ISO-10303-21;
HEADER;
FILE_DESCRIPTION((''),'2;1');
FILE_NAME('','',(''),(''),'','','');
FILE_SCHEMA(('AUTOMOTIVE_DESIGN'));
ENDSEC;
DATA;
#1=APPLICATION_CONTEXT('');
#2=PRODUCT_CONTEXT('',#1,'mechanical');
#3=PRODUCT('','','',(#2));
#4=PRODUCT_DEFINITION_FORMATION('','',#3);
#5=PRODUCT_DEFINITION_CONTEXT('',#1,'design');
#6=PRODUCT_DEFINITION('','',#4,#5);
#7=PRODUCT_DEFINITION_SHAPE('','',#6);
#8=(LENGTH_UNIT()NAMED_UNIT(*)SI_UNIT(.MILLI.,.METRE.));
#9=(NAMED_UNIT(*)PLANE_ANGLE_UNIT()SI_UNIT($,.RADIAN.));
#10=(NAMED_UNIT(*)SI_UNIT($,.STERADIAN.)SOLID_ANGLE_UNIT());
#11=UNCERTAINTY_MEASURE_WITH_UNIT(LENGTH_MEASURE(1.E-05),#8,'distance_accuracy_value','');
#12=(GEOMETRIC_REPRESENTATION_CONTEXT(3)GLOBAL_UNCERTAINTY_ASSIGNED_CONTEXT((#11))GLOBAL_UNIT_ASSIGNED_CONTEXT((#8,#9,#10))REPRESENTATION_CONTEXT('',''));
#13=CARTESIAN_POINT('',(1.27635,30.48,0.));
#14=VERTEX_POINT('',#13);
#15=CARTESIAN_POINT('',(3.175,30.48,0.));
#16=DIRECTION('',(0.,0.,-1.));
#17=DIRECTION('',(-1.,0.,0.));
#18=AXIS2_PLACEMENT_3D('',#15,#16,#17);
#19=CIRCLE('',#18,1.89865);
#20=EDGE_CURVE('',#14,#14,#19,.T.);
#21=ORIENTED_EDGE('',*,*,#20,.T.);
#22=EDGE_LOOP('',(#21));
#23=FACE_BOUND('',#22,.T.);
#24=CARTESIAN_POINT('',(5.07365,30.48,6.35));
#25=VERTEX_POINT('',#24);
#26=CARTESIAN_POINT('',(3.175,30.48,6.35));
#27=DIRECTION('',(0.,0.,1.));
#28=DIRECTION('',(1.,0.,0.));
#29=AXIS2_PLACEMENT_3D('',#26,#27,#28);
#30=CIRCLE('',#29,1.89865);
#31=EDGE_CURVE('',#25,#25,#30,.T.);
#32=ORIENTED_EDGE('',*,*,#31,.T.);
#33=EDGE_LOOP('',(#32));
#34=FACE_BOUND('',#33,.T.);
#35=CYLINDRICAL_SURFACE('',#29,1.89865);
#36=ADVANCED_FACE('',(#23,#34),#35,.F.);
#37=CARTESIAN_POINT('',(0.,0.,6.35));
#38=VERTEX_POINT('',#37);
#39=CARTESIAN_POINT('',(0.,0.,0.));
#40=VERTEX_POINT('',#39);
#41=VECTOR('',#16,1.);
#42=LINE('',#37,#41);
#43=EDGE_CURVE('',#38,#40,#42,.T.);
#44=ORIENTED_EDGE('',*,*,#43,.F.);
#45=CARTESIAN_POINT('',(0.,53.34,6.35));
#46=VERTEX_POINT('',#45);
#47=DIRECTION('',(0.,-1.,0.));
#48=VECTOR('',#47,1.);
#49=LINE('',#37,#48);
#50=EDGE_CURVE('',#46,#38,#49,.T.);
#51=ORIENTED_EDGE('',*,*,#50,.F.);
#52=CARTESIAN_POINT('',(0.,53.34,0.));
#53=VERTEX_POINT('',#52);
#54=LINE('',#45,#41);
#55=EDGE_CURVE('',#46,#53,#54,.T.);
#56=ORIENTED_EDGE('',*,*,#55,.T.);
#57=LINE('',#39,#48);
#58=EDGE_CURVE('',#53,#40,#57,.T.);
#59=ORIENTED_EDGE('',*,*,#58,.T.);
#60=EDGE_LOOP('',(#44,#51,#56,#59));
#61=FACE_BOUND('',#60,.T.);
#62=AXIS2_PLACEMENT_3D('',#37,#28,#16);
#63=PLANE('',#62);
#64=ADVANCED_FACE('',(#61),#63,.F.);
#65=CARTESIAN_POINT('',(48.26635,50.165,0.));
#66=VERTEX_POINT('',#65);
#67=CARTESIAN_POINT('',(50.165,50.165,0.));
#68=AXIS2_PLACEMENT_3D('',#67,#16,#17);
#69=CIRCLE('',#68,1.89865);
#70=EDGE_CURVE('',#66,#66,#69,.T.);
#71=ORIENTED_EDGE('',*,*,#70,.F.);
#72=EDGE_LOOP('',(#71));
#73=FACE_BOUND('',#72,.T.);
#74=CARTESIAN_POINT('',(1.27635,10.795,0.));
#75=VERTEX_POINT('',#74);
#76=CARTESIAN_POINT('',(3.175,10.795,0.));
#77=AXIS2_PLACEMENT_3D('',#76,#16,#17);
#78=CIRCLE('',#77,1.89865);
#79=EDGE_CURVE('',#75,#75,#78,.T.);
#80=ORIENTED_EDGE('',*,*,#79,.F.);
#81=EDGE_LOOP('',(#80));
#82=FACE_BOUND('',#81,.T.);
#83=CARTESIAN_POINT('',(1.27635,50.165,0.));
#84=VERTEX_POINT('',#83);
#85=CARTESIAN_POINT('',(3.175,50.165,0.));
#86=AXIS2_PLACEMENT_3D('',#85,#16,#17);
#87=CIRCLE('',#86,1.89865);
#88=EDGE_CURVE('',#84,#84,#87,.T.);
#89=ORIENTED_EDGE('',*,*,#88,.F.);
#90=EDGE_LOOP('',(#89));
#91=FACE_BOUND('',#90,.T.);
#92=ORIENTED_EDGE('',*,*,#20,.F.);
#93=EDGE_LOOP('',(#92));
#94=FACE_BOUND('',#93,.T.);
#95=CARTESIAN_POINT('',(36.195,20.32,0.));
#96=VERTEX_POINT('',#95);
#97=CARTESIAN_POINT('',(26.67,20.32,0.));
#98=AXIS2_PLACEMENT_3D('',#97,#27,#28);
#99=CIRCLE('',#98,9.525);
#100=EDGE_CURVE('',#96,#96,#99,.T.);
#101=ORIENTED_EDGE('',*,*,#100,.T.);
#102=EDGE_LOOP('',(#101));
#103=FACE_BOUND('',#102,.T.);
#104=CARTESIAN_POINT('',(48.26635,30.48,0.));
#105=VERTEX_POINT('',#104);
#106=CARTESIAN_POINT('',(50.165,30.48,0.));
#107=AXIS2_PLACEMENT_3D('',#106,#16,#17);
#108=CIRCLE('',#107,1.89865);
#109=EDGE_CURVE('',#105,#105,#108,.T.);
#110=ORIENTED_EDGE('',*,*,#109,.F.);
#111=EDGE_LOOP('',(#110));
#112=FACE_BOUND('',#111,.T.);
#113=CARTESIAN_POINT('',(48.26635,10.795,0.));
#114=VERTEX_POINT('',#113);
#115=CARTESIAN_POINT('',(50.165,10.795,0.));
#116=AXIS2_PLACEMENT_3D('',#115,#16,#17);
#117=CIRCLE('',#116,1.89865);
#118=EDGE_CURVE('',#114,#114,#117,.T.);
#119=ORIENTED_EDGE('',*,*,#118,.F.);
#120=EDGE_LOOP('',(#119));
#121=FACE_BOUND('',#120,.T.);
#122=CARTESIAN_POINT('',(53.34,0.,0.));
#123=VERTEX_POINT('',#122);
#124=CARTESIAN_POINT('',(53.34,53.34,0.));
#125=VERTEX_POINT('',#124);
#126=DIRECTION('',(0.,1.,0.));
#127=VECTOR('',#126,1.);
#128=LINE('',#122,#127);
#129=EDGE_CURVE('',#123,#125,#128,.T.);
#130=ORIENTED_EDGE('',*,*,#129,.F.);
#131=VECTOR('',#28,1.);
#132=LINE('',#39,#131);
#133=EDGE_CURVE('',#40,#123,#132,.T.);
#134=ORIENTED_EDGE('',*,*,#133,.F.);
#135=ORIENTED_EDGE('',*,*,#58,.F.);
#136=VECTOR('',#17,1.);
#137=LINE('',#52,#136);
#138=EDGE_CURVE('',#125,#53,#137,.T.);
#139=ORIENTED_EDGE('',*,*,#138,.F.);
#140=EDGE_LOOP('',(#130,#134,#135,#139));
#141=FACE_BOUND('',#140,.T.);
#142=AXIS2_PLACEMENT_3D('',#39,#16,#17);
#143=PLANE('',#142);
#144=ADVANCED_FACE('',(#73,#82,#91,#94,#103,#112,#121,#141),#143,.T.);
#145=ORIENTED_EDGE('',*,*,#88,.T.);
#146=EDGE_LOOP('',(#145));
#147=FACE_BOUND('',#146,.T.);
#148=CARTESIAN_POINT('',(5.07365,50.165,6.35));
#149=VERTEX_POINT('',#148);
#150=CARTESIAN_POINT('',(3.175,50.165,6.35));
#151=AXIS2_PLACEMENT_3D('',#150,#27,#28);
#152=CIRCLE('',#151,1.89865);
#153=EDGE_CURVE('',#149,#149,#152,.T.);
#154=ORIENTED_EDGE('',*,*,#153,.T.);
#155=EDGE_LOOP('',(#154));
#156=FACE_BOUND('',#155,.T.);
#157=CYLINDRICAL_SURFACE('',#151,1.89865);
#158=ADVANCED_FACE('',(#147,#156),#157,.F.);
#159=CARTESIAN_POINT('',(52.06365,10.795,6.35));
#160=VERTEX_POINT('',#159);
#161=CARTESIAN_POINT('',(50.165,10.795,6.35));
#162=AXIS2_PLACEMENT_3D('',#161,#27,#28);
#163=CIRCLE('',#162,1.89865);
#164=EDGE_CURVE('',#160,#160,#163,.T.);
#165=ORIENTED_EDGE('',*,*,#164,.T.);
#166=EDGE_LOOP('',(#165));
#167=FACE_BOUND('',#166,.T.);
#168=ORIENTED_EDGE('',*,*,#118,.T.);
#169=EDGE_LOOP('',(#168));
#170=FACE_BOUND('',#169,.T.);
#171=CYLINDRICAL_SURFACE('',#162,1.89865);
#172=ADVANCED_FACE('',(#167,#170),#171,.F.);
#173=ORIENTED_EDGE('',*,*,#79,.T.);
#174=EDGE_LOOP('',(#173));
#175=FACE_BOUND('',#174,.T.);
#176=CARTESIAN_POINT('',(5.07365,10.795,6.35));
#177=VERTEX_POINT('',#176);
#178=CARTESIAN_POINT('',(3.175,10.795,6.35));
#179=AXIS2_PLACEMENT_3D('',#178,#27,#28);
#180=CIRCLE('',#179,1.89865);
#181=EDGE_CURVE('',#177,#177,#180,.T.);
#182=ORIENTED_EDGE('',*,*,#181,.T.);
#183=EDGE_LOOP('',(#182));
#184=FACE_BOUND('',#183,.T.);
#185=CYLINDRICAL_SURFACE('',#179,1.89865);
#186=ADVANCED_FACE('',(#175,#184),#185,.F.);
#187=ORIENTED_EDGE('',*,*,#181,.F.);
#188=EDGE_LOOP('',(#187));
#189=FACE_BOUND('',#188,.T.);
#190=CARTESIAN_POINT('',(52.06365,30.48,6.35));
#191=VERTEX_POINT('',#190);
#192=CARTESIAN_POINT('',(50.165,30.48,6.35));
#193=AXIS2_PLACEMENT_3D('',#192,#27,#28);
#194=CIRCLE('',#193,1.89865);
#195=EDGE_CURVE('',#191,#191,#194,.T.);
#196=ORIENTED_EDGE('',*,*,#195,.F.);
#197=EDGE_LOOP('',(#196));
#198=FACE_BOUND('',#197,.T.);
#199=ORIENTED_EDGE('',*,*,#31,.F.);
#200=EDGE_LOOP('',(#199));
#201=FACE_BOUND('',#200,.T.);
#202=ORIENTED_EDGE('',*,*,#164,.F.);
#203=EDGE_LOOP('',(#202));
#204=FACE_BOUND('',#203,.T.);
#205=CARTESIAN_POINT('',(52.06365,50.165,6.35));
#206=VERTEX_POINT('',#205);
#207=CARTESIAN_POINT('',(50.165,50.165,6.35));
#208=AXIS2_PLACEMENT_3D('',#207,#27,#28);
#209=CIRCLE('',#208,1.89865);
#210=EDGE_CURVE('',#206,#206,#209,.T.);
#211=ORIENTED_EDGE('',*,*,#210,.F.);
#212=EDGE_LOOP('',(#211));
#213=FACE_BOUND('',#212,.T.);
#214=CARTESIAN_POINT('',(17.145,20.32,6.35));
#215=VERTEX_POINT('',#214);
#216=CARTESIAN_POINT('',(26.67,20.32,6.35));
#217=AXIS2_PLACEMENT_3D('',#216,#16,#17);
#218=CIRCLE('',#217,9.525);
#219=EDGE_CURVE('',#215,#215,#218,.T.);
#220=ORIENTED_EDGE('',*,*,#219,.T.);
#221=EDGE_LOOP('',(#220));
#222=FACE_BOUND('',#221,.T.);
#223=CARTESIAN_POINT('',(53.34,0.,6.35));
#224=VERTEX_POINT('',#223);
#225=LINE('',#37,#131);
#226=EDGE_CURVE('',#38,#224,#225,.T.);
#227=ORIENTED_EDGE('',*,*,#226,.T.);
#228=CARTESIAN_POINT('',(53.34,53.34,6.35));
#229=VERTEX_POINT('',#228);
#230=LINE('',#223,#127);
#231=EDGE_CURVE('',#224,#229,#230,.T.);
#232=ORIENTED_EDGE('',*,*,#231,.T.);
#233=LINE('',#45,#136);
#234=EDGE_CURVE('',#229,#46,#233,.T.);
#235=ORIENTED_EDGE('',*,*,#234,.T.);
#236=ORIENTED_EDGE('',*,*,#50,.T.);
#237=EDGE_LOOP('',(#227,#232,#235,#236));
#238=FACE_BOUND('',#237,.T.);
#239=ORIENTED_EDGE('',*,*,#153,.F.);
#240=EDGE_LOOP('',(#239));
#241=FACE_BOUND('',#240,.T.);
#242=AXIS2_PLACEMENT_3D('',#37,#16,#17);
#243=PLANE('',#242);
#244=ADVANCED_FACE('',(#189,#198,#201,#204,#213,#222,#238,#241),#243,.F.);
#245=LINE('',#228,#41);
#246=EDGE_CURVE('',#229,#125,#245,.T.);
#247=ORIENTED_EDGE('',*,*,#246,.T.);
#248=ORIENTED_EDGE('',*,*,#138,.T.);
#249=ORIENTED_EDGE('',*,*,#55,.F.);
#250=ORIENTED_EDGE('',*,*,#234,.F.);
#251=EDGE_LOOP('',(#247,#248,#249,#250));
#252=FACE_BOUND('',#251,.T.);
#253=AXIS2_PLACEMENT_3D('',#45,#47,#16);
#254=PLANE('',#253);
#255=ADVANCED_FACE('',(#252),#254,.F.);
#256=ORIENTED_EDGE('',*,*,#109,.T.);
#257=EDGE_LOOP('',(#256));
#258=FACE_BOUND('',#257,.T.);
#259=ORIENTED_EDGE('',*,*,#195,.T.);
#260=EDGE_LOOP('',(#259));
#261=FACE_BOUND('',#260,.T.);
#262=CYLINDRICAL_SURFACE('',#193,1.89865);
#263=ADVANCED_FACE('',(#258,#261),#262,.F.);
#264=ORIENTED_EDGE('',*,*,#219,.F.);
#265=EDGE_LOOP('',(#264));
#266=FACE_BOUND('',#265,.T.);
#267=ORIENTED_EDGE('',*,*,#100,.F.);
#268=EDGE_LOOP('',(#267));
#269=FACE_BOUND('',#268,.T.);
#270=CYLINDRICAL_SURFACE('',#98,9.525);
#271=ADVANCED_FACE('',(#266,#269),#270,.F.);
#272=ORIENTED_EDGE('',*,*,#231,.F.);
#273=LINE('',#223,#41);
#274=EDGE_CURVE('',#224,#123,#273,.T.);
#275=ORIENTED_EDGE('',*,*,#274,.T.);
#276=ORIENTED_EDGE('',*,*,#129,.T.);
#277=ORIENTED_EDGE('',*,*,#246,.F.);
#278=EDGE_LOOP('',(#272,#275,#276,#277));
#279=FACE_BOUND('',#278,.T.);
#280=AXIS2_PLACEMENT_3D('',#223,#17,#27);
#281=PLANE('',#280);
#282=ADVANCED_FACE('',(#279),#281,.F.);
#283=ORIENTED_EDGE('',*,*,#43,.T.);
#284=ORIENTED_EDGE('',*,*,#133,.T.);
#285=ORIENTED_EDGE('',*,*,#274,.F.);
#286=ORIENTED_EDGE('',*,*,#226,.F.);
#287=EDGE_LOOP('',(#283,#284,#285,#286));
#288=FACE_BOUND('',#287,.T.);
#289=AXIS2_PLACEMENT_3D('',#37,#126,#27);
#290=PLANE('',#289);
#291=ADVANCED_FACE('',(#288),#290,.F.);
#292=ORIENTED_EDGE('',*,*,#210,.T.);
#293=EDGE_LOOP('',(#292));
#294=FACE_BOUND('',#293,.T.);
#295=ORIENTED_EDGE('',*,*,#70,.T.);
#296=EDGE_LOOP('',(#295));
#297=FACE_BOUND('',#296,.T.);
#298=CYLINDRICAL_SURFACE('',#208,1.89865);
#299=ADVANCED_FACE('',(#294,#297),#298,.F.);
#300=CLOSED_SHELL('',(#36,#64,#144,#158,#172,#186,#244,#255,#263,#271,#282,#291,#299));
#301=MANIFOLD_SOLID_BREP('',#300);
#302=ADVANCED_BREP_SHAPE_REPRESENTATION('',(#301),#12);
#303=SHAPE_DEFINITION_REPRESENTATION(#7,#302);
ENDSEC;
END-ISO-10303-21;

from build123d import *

# Parameters (mm, degrees)
SKETCH1_W                 = 53.34
SKETCH1_H                 = 53.34
BOSS_EXTRUDE1_DEPTH       = 6.35
SKETCH2_R                 = 9.525
CUT_EXTRUDE1_DEPTH        = 1
CUT_EXTRUDE1_DEPTH_BACK   = 7.35
F_6_CLEARANCE_HOLE1_D     = 3.7973
F_6_CLEARANCE_HOLE1_DEPTH = 6.35


with BuildPart() as part:
    # Sketch1 → Boss-Extrude1 (new body)
    with BuildSketch(Plane.XY):
        with Locations((26.67, 26.67)):
            Rectangle(SKETCH1_W, SKETCH1_H)
    extrude(amount=BOSS_EXTRUDE1_DEPTH)

    # Sketch2 → Cut-Extrude1 (cut, two sides)
    with BuildSketch(Plane.XY.offset(6.35)) as cut_extrude1_sk:
        with Locations((26.67, 20.32)):
            Circle(SKETCH2_R)
    extrude(amount=CUT_EXTRUDE1_DEPTH, mode=Mode.SUBTRACT)
    extrude(cut_extrude1_sk.sketch, amount=-CUT_EXTRUDE1_DEPTH_BACK, mode=Mode.SUBTRACT)

    # #6 Clearance Hole1
    with Locations(Plane.XY.offset(6.35)):
        with Locations((3.175, 50.165), (50.165, 50.165), (50.165, 10.795), (3.175, 10.795), (3.175, 30.48), (50.165, 30.48)):
            Hole(F_6_CLEARANCE_HOLE1_D / 2, depth=F_6_CLEARANCE_HOLE1_DEPTH)


solid = part.part
